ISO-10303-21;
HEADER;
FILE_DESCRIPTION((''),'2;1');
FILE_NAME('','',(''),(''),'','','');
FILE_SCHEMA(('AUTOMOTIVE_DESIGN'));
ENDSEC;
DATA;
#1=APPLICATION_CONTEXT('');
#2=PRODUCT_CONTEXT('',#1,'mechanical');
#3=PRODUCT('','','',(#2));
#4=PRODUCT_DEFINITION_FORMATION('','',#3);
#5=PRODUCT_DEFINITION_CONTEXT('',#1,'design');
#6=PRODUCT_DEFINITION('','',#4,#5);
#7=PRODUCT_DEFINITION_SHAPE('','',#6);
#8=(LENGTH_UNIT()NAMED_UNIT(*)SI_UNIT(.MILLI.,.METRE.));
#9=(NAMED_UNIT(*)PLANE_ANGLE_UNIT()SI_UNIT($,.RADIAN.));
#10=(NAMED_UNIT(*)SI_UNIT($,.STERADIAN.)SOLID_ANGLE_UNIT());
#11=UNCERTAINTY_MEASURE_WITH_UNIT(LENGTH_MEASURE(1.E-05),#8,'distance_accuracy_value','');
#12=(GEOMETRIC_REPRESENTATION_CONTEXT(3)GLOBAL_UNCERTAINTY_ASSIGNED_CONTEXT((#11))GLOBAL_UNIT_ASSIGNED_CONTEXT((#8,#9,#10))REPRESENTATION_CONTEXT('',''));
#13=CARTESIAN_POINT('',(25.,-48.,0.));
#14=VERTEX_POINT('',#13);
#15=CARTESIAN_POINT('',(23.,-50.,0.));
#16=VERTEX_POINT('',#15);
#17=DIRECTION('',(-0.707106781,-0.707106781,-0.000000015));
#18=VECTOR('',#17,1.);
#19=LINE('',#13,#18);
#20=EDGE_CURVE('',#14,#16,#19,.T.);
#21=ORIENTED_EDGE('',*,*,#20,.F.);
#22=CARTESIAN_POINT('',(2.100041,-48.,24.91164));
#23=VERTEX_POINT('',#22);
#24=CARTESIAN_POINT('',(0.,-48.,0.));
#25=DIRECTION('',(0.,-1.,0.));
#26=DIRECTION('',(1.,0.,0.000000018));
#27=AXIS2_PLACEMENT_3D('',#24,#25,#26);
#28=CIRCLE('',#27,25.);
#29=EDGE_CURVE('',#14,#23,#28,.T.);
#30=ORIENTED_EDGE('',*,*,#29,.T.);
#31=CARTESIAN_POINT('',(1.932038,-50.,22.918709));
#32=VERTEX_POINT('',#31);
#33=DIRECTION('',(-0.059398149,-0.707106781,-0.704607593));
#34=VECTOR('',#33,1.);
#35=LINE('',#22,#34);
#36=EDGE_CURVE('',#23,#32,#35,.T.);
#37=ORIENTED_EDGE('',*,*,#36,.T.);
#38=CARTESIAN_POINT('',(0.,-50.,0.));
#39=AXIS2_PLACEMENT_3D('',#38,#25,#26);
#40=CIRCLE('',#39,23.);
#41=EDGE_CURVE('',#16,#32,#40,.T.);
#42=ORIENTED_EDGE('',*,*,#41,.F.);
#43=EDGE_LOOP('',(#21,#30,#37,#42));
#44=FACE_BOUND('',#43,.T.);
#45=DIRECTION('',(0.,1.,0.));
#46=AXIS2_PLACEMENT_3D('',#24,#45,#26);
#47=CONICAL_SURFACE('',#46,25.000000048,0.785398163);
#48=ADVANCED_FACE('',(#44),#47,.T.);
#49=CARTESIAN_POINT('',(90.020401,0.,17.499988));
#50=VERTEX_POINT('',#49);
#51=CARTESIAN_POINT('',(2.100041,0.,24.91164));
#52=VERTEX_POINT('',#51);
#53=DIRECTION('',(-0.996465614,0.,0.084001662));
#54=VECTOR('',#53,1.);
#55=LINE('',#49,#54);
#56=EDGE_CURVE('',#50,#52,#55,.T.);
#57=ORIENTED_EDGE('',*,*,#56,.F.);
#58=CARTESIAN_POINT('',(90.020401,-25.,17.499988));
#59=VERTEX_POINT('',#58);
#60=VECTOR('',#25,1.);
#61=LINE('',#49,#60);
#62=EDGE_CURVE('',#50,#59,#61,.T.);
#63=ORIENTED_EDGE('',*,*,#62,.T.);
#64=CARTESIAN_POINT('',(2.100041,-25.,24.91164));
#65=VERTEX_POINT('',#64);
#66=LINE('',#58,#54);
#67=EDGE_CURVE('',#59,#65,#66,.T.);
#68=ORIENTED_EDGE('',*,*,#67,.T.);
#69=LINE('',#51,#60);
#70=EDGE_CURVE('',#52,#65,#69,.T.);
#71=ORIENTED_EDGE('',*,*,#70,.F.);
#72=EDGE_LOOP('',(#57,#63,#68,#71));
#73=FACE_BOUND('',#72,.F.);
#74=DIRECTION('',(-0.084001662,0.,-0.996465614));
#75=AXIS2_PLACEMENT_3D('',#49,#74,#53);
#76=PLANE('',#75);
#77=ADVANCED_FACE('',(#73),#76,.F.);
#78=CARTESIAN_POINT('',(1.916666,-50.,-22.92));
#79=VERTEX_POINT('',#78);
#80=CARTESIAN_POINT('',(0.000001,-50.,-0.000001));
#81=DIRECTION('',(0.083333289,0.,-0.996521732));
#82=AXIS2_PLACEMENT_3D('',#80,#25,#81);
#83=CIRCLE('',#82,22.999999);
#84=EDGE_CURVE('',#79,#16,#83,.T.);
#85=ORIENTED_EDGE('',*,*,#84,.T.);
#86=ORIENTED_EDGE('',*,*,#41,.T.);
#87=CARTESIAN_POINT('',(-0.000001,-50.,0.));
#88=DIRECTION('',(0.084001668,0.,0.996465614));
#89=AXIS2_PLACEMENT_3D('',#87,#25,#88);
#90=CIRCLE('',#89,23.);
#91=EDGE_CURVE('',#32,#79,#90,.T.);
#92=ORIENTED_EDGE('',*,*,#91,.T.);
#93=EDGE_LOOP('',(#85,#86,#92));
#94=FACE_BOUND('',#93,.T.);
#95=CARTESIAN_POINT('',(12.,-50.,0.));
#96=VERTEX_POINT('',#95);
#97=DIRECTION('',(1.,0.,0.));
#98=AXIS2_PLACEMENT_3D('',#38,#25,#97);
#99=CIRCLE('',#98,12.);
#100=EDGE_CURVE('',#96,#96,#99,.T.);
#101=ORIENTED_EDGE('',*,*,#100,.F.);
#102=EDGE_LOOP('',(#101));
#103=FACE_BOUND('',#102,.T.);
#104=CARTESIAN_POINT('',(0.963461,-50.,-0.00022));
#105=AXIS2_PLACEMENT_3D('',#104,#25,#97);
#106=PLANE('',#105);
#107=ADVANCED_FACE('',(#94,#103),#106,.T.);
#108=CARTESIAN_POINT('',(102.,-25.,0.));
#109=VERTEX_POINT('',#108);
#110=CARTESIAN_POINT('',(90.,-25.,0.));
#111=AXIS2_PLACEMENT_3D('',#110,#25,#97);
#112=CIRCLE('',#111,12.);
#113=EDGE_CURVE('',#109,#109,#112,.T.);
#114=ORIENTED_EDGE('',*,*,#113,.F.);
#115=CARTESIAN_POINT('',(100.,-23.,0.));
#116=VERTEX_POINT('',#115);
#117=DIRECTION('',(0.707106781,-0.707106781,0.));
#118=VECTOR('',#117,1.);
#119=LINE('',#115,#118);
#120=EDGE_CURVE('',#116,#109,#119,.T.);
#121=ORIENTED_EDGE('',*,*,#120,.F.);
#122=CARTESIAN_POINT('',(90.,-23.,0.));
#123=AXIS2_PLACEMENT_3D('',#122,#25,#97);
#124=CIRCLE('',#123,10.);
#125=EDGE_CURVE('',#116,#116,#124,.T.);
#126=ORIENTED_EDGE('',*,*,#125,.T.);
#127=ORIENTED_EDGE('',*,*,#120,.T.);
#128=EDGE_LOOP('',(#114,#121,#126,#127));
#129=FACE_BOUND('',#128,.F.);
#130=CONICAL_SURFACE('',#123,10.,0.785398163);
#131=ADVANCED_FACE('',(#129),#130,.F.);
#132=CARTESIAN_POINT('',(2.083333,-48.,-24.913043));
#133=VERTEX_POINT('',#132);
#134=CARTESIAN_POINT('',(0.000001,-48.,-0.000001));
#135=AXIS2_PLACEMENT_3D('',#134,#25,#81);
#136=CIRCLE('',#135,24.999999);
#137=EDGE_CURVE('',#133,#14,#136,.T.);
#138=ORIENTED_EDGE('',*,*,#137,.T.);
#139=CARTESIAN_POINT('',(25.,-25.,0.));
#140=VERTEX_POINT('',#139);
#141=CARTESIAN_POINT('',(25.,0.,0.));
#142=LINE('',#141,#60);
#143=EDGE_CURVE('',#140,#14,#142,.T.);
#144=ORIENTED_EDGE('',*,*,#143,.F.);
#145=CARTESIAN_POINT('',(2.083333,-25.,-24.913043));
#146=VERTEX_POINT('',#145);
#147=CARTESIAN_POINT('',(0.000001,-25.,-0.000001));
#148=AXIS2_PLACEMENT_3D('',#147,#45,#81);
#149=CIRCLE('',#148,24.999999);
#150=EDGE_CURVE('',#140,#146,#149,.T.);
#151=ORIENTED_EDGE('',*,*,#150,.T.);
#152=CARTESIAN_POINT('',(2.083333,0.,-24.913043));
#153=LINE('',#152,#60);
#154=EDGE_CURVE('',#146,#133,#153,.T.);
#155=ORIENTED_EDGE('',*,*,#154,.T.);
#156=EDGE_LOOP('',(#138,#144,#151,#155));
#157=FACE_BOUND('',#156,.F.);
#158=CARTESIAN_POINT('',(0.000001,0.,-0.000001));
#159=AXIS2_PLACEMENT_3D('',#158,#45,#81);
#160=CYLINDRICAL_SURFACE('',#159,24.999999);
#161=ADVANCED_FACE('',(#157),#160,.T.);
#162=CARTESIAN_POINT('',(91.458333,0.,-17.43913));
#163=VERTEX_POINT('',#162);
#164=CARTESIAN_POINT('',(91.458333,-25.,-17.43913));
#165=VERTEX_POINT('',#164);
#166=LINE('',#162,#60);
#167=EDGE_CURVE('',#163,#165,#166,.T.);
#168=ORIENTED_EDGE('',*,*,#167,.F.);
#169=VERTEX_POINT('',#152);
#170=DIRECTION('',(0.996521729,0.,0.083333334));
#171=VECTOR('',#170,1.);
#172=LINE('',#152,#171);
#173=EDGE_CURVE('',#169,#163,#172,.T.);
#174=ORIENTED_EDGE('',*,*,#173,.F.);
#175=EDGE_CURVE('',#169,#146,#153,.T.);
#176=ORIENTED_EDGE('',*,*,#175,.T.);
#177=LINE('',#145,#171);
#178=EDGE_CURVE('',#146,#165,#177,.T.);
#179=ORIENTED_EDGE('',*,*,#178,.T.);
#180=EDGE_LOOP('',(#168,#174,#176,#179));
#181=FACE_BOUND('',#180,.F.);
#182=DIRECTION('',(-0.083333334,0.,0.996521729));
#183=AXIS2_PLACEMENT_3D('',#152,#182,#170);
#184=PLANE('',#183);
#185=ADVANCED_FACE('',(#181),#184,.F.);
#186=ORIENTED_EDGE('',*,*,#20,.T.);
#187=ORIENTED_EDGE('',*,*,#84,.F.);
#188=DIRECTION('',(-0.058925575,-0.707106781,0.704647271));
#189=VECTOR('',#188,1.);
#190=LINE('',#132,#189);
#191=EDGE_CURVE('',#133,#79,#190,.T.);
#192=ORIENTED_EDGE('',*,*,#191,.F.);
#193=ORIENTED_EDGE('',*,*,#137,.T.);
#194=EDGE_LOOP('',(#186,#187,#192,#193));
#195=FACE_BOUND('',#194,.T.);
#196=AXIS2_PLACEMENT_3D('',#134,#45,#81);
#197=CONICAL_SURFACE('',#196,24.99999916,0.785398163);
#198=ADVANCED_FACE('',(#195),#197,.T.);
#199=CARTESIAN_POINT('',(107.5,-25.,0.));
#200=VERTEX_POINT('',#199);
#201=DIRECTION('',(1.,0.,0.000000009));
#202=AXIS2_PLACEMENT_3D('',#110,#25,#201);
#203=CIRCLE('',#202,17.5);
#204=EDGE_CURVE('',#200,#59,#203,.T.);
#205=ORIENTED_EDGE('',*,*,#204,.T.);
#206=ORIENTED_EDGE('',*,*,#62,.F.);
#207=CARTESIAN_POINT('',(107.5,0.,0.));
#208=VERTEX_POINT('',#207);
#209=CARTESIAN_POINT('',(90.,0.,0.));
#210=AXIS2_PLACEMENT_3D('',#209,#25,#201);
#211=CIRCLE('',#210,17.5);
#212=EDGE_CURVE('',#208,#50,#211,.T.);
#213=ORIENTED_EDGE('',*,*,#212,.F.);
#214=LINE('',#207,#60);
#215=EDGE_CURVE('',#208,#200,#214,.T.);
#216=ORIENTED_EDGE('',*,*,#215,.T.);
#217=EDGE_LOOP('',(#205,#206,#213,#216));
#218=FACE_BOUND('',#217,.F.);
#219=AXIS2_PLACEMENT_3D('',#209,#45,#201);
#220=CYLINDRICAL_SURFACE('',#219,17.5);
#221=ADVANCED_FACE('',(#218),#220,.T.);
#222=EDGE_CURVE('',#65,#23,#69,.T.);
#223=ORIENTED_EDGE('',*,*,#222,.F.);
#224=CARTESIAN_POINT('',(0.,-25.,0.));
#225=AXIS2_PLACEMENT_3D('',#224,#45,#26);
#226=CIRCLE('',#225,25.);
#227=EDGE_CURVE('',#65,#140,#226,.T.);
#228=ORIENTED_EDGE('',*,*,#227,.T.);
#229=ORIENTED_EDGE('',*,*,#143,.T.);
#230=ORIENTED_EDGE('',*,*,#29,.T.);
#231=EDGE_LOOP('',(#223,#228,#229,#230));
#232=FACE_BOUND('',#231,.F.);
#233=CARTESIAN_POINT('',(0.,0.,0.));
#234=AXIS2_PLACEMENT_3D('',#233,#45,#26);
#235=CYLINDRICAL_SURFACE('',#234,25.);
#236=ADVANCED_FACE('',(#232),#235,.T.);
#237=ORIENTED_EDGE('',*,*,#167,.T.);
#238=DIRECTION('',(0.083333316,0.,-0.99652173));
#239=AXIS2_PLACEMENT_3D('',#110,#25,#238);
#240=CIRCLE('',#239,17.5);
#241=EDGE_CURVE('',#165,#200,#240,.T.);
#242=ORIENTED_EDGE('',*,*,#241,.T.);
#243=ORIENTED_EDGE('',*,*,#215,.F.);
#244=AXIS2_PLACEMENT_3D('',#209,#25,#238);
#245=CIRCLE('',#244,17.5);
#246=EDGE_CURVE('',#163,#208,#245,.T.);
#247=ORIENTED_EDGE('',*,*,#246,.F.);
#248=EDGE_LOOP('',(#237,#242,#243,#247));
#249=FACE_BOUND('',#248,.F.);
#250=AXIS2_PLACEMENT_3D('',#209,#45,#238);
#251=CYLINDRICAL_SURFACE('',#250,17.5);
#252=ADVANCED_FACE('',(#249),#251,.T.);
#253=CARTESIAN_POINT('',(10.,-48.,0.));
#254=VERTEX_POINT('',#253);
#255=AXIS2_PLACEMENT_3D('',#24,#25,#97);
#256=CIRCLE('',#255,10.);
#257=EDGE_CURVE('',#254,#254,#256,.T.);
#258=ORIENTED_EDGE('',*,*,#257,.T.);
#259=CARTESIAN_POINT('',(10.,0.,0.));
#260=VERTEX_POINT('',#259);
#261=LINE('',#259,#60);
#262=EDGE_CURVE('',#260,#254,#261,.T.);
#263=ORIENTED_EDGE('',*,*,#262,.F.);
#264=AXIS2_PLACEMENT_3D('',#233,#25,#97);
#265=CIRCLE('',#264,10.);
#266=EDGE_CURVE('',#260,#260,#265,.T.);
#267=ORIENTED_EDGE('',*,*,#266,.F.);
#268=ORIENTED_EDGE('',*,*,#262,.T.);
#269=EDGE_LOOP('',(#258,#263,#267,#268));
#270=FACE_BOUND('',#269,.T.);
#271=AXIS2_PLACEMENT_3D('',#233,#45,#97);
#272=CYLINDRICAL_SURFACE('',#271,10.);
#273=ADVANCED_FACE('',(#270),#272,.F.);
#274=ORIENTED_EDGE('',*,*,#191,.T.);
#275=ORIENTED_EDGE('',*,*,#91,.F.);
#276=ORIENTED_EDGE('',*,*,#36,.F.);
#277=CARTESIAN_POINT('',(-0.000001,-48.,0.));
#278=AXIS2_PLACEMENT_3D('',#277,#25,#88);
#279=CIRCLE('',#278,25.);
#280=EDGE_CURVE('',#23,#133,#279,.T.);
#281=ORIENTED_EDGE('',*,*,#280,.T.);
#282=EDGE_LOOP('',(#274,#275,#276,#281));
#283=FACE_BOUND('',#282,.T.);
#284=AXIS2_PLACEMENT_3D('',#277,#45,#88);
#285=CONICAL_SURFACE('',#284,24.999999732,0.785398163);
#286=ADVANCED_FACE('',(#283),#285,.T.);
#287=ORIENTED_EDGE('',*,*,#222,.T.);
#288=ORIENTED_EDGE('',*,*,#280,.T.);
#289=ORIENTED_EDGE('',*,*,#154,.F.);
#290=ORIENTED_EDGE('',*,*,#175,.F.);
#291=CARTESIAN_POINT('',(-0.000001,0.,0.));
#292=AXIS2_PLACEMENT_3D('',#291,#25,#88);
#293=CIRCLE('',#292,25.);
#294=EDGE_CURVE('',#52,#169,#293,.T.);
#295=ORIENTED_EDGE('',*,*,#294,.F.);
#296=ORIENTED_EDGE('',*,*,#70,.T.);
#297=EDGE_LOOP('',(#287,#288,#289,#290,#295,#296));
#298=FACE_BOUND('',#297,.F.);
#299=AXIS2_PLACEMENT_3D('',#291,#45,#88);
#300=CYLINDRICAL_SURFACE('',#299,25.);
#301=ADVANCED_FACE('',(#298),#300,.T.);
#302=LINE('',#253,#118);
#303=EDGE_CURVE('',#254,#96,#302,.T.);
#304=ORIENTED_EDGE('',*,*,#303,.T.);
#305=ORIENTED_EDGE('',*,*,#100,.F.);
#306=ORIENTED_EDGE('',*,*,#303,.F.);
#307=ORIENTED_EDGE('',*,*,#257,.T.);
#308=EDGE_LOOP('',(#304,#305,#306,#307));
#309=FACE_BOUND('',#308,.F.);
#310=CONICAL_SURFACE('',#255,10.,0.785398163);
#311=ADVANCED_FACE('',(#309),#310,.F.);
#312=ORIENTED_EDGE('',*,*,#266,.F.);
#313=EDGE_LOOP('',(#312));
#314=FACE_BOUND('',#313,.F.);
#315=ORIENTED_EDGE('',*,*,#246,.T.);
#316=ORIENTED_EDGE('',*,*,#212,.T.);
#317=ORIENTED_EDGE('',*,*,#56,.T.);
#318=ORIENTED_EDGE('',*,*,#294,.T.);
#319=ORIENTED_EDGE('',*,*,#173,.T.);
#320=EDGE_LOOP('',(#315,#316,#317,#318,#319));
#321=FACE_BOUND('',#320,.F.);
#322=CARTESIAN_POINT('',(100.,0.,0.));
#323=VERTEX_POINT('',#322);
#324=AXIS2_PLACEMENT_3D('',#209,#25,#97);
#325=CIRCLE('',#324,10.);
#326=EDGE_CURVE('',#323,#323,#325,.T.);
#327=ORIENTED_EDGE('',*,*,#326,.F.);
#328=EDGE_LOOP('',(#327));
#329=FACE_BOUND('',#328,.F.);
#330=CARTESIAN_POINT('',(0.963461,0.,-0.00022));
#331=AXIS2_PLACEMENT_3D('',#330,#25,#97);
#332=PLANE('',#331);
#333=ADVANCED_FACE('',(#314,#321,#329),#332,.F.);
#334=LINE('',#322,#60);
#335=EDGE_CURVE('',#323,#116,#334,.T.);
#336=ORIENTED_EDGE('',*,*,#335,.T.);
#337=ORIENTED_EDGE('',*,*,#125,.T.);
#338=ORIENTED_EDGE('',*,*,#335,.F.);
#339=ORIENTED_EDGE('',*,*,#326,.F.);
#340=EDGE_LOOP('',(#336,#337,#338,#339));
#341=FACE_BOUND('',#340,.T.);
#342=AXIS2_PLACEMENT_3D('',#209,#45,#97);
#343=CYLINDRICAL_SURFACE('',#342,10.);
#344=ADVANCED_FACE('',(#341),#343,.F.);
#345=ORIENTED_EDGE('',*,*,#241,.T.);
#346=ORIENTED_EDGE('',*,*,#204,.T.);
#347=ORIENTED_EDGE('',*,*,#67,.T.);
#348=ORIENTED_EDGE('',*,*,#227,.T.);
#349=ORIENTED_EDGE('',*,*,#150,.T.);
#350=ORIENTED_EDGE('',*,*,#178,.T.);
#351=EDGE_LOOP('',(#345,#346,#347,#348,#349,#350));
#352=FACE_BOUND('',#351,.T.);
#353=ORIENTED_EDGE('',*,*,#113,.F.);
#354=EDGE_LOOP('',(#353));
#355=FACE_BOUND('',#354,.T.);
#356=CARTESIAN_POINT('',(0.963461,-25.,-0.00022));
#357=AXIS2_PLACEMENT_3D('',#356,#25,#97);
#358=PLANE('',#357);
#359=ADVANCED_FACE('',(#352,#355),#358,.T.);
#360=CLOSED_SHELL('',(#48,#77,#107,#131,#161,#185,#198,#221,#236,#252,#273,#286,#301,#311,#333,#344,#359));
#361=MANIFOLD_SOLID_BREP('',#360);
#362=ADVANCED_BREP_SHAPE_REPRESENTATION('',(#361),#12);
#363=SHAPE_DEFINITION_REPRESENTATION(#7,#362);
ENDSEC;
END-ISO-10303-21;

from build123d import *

# Parameters (mm, degrees)
F0_R     = 10
F1_DEPTH = 25
F2_R     = 10
F3_DEPTH = 50
F4_SIZE  = 2


with BuildPart() as f1:
    # F0 (on Front) → F1 (new body)
    with BuildSketch(Plane.XZ):
        with BuildLine():
            ThreePointArc((2.100041, 24.91164), (-24.999999, 0.008383), (2.083333, -24.913043))
            ThreePointArc((2.083333, -24.913043), (18.399502, -16.92508), (25, 0))
            ThreePointArc((25, 0), (18.405176, 16.918909), (2.100041, 24.91164))
        make_face()
        Circle(F0_R, mode=Mode.SUBTRACT)
        with BuildLine():
            ThreePointArc((25, 0), (18.399502, -16.92508), (2.083333, -24.913043))
            Line((2.083333, -24.913043), (91.458333, -17.43913))
            ThreePointArc((91.458333, -17.43913), (72.514802, -0.71961), (90.020401, 17.499988))
            Line((90.020401, 17.499988), (2.100041, 24.91164))
            ThreePointArc((2.100041, 24.91164), (18.405176, 16.918909), (25, 0))
        make_face()
        with BuildLine():
            ThreePointArc((90.020401, 17.499988), (72.514802, -0.71961), (91.458333, -17.43913))
            ThreePointArc((91.458333, -17.43913), (102.879651, -11.847556), (107.5, 0))
            ThreePointArc((107.5, 0), (102.381579, 12.367154), (90.020401, 17.499988))
        make_face()
        with Locations((90, 0)):
            Circle(F0_R, mode=Mode.SUBTRACT)
    extrude(amount=F1_DEPTH)

    # F2 (on face) → F3 (join)
    with BuildSketch(Plane.XZ):
        with BuildLine():
            ThreePointArc((25, 0), (18.405176, 16.918909), (2.100041, 24.91164))
            ThreePointArc((2.100041, 24.91164), (-24.999999, 0.008383), (2.083333, -24.913043))
            ThreePointArc((2.083333, -24.913043), (18.399502, -16.92508), (25, 0))
        make_face()
        Circle(F2_R, mode=Mode.SUBTRACT)
    extrude(amount=F3_DEPTH)

    # F4
    f4_edges = [f1.edges().sort_by_distance(p)[0] for p in [
        (-2.083333, -50, 24.913043),
        (-10, -50, 0),
        (80, -25, 0),
    ]]
    chamfer(f4_edges, length=F4_SIZE)


solid = f1.part
